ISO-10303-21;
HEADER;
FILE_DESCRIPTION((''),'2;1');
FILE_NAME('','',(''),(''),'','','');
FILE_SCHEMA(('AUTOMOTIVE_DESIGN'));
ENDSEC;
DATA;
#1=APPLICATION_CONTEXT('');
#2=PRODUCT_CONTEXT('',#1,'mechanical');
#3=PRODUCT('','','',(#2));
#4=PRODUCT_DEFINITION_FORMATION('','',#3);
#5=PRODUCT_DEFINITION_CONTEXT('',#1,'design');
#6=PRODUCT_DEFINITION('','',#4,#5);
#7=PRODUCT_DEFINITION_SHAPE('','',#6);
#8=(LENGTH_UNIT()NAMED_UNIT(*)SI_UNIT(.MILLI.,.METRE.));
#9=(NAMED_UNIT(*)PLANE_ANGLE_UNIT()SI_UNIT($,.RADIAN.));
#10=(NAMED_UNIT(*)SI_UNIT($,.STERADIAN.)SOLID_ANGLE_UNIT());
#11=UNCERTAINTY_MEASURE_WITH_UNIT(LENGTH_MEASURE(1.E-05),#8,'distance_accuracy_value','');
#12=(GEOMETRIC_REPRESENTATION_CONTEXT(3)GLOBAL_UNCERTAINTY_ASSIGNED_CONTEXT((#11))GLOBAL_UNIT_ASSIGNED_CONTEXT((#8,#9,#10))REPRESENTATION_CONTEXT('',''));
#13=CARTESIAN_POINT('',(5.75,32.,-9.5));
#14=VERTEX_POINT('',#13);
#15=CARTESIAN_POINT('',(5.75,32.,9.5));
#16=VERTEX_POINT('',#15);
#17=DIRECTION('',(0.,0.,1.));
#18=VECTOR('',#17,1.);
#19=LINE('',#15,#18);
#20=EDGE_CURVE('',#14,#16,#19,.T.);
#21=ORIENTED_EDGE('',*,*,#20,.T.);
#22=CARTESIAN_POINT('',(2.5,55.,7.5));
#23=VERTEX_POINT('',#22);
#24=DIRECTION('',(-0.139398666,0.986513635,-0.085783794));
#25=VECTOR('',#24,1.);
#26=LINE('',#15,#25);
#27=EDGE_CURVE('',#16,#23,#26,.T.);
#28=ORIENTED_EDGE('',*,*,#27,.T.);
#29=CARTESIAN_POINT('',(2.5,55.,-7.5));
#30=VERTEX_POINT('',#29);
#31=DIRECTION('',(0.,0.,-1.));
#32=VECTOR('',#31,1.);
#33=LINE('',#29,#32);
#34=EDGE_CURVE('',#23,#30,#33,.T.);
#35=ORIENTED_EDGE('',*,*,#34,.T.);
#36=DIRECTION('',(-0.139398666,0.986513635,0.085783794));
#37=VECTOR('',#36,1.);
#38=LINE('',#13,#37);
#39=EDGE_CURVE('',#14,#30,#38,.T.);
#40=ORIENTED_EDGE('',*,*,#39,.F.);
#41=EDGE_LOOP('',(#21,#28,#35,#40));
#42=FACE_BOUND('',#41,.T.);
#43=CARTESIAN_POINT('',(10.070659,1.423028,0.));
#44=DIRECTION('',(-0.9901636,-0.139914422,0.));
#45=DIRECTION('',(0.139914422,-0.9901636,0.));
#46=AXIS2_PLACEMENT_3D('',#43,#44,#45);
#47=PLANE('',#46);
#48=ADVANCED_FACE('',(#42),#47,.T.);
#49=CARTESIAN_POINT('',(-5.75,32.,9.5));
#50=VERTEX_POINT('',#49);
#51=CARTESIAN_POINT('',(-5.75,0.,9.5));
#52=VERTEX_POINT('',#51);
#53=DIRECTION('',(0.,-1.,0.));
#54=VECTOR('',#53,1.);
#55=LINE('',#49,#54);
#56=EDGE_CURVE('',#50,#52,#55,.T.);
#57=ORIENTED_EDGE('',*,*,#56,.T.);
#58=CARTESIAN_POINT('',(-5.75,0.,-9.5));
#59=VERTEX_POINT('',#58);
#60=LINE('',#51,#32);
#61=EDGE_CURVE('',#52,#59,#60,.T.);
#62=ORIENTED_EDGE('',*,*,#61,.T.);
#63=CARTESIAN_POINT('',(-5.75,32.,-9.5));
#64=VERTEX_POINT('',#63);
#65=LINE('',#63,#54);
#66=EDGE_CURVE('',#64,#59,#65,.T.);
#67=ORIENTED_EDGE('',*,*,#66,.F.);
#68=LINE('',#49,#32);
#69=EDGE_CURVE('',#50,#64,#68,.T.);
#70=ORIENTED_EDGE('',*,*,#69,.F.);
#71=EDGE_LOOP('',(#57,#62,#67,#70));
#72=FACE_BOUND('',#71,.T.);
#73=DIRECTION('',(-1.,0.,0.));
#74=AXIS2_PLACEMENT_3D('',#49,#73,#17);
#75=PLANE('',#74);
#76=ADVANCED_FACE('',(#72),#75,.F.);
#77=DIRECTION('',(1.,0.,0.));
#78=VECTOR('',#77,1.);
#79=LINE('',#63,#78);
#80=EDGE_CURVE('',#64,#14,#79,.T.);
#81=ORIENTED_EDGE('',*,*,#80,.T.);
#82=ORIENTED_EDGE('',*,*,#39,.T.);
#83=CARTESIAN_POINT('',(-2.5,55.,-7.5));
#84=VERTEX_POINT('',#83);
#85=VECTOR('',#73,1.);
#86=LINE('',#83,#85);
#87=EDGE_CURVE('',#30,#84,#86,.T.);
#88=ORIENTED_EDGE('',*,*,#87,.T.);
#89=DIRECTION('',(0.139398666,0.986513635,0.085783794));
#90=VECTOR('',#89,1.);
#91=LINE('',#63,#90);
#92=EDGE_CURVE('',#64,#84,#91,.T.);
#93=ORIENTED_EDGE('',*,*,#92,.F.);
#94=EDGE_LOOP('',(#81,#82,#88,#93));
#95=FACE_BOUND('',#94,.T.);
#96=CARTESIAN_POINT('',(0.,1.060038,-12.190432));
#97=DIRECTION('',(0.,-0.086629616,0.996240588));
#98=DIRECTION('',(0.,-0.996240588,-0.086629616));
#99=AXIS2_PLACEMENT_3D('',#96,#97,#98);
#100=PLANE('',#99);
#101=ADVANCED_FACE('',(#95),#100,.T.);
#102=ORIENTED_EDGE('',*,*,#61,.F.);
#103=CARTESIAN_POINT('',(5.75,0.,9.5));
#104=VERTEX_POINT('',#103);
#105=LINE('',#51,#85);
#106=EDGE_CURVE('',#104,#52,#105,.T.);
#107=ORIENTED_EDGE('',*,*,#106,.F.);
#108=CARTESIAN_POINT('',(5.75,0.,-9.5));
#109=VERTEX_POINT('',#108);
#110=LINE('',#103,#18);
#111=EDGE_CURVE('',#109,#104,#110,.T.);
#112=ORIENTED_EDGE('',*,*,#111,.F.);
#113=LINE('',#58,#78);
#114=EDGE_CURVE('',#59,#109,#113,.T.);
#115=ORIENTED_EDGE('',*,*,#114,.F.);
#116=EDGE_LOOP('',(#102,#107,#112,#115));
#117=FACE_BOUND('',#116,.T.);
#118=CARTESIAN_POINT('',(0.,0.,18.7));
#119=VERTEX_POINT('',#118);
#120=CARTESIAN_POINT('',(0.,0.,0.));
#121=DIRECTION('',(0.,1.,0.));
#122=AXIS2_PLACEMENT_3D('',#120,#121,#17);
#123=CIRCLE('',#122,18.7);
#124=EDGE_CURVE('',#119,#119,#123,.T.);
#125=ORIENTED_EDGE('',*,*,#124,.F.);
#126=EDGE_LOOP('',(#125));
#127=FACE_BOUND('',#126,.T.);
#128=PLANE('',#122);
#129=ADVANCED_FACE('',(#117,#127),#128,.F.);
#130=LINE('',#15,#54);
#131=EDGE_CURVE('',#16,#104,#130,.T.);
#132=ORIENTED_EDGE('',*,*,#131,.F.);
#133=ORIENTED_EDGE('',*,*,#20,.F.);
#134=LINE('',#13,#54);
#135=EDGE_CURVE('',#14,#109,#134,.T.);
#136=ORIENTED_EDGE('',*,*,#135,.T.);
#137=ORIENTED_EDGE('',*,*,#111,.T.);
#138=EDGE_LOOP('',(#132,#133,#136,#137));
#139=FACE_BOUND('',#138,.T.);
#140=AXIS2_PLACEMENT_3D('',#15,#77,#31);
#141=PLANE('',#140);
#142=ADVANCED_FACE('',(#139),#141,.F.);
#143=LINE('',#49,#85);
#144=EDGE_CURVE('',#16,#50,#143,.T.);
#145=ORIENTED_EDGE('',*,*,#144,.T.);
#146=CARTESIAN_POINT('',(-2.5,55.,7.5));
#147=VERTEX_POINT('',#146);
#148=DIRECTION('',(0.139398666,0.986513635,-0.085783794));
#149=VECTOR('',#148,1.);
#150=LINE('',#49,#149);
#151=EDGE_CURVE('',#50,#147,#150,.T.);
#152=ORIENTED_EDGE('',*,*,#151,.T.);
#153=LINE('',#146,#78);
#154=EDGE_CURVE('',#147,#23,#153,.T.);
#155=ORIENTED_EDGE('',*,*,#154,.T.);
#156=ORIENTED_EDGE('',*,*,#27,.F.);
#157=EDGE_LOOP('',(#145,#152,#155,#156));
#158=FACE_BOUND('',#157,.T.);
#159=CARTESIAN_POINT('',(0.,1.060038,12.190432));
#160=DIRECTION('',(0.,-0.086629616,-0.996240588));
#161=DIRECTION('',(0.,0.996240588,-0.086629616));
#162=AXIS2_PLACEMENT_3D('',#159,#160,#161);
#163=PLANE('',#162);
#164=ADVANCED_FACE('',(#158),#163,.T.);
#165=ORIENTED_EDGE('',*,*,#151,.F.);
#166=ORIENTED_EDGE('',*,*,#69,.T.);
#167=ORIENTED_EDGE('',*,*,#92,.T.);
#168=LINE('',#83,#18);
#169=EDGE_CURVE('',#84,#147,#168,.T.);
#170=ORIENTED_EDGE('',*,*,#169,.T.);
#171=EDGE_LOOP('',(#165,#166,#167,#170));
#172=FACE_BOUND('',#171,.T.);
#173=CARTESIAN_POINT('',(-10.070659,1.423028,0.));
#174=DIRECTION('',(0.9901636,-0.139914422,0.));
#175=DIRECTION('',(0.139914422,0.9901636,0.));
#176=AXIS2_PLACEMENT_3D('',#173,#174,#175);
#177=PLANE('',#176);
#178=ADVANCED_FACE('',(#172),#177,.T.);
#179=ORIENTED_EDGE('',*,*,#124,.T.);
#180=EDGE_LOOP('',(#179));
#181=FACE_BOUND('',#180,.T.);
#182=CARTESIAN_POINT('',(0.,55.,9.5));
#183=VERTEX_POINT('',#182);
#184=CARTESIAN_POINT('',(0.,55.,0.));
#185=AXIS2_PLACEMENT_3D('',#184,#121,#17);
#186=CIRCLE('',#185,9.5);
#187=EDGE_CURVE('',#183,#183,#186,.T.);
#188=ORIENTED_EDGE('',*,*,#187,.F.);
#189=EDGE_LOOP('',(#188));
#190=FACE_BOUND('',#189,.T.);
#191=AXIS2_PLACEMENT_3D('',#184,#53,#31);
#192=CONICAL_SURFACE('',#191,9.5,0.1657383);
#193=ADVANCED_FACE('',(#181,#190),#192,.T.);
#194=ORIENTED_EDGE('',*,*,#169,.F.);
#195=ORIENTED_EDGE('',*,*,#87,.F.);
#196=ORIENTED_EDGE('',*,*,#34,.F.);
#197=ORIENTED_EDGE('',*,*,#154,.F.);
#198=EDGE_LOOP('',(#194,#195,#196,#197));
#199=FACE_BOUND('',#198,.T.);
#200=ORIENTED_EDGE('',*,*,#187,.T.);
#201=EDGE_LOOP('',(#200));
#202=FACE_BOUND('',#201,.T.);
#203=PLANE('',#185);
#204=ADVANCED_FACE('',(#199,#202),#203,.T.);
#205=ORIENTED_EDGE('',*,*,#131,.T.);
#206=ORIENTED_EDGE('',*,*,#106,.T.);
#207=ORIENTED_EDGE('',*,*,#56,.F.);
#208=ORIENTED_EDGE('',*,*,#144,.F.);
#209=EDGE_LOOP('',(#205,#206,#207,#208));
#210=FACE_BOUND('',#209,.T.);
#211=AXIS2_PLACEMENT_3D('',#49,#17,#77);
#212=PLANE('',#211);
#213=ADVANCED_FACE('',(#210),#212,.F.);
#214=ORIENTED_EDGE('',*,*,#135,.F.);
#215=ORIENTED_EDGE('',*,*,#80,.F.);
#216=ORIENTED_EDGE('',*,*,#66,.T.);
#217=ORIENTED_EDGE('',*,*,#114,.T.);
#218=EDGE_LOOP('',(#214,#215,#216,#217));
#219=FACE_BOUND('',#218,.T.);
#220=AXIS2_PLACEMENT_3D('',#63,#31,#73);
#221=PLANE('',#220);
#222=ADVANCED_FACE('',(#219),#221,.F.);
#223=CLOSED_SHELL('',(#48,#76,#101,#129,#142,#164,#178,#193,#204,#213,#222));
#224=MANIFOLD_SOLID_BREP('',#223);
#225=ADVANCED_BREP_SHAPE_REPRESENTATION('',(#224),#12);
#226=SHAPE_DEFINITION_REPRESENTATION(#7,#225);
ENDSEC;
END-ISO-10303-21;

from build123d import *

# Parameters (mm, degrees)
SKETCH_2_R          = 9.5
SKETCH_1_R          = 18.7
SKETCH_5_W          = 11.5
SKETCH_5_H          = 19
CUT_EXTRUDE_1_DEPTH = 32
SKETCH_9_W          = 11.5
SKETCH_9_H          = 19
SKETCH_6_W          = 5
SKETCH_6_H          = 15


with BuildPart() as part:
    # 스케치2 → 로프트1 section 0
    with BuildSketch(Plane(origin=(0, 55, 0), x_dir=(1, 0, 0), z_dir=(0, 1, 0))):
        Circle(SKETCH_2_R)
    # 스케치1 → 로프트1 section 1
    with BuildSketch(Plane(origin=(0, 0, 0), x_dir=(1, 0, 0), z_dir=(0, 1, 0))):
        Circle(SKETCH_1_R)
    loft()

    # 스케치5 → 컷-돌출1 (cut)
    with BuildSketch(Plane.XZ):
        Rectangle(SKETCH_5_W, SKETCH_5_H)
    extrude(amount=-CUT_EXTRUDE_1_DEPTH, mode=Mode.SUBTRACT)

    # 스케치9 → 컷-로프트2 section 0
    with BuildSketch(Plane.XZ.offset(-32)):
        Rectangle(SKETCH_9_W, SKETCH_9_H)
    # 스케치6 → 컷-로프트2 section 1
    with BuildSketch(Plane(origin=(0, 55, 0), x_dir=(1, 0, 0), z_dir=(0, 1, 0))):
        Rectangle(SKETCH_6_W, SKETCH_6_H)
    loft(mode=Mode.SUBTRACT)


solid = part.part
